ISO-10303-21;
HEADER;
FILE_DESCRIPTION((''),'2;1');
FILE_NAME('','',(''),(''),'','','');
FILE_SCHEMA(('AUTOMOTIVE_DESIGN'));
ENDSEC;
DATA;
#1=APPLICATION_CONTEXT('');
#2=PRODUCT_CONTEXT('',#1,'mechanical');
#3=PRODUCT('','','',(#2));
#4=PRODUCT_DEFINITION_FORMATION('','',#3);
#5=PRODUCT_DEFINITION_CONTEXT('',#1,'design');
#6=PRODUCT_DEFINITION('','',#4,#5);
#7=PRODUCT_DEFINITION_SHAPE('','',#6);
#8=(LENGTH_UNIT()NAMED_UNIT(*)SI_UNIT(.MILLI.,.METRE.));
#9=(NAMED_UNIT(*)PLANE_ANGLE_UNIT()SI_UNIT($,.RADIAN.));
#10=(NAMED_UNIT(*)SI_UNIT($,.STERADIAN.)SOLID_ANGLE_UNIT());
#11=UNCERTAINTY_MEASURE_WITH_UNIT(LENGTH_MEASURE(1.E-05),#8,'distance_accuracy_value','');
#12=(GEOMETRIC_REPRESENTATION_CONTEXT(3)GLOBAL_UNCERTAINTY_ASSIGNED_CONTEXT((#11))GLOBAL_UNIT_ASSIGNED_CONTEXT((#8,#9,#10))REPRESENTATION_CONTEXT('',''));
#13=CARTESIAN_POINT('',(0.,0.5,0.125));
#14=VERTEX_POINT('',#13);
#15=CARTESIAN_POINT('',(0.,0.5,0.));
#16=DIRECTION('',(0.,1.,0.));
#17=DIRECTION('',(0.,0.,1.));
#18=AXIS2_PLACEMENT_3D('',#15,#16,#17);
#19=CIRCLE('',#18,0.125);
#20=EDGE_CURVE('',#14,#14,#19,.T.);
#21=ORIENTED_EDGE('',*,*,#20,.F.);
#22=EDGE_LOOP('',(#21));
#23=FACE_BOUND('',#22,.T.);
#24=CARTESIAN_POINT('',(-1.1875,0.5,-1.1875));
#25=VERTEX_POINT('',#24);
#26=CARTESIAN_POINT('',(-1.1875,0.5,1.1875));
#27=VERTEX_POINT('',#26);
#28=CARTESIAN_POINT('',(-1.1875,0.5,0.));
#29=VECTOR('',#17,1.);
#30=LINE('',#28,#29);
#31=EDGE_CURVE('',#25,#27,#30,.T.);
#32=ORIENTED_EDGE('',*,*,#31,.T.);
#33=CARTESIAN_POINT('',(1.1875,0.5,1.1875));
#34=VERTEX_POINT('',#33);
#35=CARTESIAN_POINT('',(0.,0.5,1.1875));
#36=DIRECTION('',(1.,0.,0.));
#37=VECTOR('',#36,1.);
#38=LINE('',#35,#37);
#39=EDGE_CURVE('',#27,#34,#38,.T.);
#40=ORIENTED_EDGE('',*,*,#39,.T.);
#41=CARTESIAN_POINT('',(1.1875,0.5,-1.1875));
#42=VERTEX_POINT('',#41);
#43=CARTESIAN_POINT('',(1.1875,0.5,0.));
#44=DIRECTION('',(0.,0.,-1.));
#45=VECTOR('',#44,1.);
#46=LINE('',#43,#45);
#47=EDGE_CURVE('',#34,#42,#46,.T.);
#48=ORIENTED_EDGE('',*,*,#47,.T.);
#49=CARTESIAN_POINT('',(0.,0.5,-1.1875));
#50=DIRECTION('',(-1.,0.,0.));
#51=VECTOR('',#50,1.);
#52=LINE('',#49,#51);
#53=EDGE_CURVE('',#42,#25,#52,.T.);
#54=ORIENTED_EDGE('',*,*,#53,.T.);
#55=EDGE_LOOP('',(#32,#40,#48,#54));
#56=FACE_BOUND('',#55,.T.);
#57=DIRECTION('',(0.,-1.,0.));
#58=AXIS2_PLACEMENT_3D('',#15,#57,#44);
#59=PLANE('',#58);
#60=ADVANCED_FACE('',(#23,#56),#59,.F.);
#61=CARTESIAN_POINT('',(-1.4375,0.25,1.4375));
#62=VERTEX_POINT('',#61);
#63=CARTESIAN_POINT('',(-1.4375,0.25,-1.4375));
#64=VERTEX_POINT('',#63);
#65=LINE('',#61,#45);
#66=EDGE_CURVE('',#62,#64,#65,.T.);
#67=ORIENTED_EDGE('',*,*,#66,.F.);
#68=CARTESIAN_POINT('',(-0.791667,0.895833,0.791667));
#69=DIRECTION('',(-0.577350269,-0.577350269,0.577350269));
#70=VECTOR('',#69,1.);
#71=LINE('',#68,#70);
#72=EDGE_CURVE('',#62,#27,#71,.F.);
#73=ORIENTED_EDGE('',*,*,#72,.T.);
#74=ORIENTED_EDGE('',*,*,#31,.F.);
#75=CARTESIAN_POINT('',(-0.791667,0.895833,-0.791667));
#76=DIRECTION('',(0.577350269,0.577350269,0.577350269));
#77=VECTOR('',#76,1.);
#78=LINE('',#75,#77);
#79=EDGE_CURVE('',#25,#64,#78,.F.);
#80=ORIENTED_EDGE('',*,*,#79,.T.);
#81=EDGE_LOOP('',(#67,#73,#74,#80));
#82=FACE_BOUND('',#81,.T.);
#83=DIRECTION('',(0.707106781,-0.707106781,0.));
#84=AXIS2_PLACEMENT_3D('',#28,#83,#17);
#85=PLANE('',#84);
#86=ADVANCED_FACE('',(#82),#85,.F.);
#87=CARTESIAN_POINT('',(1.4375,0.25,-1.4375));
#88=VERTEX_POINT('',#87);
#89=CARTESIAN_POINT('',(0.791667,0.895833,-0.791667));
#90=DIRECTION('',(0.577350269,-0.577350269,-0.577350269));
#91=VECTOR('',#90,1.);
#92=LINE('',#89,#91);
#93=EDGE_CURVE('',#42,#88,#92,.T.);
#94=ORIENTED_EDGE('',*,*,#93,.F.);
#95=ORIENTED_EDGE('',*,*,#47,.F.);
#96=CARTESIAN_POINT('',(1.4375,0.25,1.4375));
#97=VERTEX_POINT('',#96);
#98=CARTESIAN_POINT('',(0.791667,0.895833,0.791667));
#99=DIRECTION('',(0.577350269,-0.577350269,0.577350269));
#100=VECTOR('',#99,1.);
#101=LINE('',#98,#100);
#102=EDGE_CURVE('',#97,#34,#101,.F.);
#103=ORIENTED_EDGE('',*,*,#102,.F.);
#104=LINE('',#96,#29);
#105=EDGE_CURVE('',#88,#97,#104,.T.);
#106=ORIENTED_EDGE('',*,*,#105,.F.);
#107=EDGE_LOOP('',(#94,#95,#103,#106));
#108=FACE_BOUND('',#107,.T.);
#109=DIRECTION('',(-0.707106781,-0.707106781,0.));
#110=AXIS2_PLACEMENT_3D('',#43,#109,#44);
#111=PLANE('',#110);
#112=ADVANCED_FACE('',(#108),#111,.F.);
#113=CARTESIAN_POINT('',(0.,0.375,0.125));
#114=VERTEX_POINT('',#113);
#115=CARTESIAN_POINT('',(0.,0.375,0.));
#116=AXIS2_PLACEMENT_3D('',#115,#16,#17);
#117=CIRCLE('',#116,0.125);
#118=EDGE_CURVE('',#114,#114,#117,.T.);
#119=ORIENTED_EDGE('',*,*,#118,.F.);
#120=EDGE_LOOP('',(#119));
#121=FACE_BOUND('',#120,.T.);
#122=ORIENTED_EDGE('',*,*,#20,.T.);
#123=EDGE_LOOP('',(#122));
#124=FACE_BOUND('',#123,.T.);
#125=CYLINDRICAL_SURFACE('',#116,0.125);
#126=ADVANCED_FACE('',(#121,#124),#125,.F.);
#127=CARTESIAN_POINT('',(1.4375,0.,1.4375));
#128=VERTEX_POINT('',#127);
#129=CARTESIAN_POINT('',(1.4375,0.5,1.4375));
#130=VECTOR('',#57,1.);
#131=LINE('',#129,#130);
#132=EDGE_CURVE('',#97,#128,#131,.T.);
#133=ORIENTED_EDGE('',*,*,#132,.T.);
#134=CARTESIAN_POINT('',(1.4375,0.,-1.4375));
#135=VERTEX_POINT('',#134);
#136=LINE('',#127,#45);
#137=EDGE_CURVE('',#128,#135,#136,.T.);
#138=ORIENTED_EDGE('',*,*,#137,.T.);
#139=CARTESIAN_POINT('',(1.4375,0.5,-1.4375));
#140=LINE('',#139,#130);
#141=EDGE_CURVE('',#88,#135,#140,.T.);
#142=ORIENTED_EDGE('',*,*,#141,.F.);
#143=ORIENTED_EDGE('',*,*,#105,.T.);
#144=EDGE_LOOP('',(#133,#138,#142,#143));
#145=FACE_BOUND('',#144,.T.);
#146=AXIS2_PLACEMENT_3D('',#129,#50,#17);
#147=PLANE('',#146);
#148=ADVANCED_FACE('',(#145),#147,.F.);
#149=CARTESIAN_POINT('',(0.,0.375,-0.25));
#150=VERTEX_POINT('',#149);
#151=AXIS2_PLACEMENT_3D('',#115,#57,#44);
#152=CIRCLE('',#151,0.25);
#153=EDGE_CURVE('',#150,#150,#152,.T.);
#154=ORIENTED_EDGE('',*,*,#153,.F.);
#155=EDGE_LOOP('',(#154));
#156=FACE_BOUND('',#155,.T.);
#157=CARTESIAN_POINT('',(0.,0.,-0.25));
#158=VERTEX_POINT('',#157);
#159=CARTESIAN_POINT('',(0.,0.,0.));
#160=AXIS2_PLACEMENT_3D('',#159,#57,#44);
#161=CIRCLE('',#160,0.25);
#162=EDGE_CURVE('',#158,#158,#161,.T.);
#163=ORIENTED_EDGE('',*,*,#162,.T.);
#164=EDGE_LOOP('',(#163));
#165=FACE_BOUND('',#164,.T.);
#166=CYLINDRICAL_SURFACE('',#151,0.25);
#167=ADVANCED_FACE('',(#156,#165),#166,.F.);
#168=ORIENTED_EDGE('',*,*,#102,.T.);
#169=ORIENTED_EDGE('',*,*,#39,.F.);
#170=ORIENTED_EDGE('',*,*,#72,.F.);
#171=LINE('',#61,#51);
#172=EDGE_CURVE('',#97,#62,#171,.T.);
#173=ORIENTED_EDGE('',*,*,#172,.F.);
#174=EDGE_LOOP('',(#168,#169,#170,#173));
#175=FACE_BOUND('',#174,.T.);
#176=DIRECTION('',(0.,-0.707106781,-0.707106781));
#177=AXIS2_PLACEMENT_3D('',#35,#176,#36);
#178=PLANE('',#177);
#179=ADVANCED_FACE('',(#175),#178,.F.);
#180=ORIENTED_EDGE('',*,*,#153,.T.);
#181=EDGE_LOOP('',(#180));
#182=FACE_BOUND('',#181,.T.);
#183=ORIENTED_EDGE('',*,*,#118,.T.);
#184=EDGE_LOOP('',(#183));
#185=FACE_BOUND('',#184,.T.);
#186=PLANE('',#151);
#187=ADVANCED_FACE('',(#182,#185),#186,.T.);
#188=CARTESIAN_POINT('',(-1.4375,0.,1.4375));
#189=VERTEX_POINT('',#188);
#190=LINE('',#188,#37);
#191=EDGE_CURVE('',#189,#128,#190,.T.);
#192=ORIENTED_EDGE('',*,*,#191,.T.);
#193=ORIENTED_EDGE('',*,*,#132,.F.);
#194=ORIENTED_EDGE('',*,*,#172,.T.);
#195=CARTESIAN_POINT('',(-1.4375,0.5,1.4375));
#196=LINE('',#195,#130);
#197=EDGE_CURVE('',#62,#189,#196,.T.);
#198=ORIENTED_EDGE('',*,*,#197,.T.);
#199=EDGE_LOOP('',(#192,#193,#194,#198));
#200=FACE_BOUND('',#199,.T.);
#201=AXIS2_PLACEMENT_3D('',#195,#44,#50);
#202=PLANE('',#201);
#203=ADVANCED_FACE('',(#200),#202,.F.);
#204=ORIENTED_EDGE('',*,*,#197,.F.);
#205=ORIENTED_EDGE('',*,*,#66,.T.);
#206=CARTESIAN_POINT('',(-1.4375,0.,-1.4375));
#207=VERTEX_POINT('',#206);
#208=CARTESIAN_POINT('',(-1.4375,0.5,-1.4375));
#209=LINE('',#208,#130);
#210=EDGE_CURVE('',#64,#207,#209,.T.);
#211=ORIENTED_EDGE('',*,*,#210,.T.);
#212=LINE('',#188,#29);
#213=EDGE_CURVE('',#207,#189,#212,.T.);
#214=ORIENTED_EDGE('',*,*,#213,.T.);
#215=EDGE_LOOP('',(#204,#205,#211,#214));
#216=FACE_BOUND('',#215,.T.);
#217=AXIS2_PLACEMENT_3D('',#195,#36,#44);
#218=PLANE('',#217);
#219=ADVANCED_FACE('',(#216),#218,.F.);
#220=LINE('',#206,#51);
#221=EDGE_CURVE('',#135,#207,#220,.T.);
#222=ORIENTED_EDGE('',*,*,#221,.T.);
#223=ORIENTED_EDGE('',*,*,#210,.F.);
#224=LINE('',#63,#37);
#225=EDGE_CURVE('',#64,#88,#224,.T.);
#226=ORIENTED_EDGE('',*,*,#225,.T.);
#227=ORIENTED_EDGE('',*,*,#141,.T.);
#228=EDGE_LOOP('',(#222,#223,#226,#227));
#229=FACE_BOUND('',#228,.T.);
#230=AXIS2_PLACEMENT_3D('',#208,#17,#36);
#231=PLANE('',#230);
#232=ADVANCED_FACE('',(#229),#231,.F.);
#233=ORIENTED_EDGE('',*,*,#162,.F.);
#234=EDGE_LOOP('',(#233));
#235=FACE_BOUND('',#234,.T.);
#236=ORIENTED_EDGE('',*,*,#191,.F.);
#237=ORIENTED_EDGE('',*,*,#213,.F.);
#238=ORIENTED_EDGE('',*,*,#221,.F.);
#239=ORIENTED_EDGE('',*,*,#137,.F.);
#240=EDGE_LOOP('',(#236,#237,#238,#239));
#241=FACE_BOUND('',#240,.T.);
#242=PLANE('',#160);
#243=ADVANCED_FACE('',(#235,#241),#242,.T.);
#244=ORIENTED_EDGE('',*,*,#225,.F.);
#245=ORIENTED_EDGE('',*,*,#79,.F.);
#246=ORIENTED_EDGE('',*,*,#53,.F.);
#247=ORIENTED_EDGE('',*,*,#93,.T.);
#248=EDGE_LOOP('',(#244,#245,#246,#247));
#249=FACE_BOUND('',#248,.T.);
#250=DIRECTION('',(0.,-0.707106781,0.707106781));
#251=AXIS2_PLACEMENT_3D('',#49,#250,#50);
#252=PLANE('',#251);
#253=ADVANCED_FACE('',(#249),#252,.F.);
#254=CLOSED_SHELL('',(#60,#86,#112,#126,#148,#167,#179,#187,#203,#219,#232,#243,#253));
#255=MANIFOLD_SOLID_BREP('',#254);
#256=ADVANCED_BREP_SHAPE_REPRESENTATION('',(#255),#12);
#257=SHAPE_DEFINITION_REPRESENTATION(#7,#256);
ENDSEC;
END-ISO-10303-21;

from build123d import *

# Parameters (mm, degrees)
SKETCH1_W           = 2.875
SKETCH1_H           = 2.875
BOSS_EXTRUDE1_DEPTH = 0.5
SKETCH2_R           = 0.125
CUT_EXTRUDE1_DEPTH  = 0.125
SKETCH3_R           = 0.25
CUT_EXTRUDE2_DEPTH  = 0.375
CHAMFER2_SIZE       = 0.25


with BuildPart() as part:
    # Sketch1 → Boss-Extrude1 (new body)
    with BuildSketch(Plane(origin=(0, 0, 0), x_dir=(1, 0, 0), z_dir=(0, 1, 0))):
        Rectangle(SKETCH1_W, SKETCH1_H)
    extrude(amount=BOSS_EXTRUDE1_DEPTH)

    # Sketch2 → Cut-Extrude1 (cut)
    with BuildSketch(Plane(origin=(0, 0.5, 0), x_dir=(1, 0, 0), z_dir=(0, 1, 0))):
        with Locations(Location((0, 0, 0), (0, 0, 270))):
            Circle(SKETCH2_R)
    extrude(amount=-CUT_EXTRUDE1_DEPTH, mode=Mode.SUBTRACT)

    # Sketch3 → Cut-Extrude2 (cut)
    with BuildSketch(Plane.XZ):
        with Locations(Location((0, 0, 0), (0, 0, 270))):
            Circle(SKETCH3_R)
    extrude(amount=-CUT_EXTRUDE2_DEPTH, mode=Mode.SUBTRACT)

    # Chamfer2
    chamfer2_edges = [part.edges().sort_by_distance(p)[0] for p in [
        (-1.4375, 0.5, 0),
        (0, 0.5, 1.4375),
        (1.4375, 0.5, 0),
        (0, 0.5, -1.4375),
    ]]
    chamfer(chamfer2_edges, length=CHAMFER2_SIZE)


solid = part.part
